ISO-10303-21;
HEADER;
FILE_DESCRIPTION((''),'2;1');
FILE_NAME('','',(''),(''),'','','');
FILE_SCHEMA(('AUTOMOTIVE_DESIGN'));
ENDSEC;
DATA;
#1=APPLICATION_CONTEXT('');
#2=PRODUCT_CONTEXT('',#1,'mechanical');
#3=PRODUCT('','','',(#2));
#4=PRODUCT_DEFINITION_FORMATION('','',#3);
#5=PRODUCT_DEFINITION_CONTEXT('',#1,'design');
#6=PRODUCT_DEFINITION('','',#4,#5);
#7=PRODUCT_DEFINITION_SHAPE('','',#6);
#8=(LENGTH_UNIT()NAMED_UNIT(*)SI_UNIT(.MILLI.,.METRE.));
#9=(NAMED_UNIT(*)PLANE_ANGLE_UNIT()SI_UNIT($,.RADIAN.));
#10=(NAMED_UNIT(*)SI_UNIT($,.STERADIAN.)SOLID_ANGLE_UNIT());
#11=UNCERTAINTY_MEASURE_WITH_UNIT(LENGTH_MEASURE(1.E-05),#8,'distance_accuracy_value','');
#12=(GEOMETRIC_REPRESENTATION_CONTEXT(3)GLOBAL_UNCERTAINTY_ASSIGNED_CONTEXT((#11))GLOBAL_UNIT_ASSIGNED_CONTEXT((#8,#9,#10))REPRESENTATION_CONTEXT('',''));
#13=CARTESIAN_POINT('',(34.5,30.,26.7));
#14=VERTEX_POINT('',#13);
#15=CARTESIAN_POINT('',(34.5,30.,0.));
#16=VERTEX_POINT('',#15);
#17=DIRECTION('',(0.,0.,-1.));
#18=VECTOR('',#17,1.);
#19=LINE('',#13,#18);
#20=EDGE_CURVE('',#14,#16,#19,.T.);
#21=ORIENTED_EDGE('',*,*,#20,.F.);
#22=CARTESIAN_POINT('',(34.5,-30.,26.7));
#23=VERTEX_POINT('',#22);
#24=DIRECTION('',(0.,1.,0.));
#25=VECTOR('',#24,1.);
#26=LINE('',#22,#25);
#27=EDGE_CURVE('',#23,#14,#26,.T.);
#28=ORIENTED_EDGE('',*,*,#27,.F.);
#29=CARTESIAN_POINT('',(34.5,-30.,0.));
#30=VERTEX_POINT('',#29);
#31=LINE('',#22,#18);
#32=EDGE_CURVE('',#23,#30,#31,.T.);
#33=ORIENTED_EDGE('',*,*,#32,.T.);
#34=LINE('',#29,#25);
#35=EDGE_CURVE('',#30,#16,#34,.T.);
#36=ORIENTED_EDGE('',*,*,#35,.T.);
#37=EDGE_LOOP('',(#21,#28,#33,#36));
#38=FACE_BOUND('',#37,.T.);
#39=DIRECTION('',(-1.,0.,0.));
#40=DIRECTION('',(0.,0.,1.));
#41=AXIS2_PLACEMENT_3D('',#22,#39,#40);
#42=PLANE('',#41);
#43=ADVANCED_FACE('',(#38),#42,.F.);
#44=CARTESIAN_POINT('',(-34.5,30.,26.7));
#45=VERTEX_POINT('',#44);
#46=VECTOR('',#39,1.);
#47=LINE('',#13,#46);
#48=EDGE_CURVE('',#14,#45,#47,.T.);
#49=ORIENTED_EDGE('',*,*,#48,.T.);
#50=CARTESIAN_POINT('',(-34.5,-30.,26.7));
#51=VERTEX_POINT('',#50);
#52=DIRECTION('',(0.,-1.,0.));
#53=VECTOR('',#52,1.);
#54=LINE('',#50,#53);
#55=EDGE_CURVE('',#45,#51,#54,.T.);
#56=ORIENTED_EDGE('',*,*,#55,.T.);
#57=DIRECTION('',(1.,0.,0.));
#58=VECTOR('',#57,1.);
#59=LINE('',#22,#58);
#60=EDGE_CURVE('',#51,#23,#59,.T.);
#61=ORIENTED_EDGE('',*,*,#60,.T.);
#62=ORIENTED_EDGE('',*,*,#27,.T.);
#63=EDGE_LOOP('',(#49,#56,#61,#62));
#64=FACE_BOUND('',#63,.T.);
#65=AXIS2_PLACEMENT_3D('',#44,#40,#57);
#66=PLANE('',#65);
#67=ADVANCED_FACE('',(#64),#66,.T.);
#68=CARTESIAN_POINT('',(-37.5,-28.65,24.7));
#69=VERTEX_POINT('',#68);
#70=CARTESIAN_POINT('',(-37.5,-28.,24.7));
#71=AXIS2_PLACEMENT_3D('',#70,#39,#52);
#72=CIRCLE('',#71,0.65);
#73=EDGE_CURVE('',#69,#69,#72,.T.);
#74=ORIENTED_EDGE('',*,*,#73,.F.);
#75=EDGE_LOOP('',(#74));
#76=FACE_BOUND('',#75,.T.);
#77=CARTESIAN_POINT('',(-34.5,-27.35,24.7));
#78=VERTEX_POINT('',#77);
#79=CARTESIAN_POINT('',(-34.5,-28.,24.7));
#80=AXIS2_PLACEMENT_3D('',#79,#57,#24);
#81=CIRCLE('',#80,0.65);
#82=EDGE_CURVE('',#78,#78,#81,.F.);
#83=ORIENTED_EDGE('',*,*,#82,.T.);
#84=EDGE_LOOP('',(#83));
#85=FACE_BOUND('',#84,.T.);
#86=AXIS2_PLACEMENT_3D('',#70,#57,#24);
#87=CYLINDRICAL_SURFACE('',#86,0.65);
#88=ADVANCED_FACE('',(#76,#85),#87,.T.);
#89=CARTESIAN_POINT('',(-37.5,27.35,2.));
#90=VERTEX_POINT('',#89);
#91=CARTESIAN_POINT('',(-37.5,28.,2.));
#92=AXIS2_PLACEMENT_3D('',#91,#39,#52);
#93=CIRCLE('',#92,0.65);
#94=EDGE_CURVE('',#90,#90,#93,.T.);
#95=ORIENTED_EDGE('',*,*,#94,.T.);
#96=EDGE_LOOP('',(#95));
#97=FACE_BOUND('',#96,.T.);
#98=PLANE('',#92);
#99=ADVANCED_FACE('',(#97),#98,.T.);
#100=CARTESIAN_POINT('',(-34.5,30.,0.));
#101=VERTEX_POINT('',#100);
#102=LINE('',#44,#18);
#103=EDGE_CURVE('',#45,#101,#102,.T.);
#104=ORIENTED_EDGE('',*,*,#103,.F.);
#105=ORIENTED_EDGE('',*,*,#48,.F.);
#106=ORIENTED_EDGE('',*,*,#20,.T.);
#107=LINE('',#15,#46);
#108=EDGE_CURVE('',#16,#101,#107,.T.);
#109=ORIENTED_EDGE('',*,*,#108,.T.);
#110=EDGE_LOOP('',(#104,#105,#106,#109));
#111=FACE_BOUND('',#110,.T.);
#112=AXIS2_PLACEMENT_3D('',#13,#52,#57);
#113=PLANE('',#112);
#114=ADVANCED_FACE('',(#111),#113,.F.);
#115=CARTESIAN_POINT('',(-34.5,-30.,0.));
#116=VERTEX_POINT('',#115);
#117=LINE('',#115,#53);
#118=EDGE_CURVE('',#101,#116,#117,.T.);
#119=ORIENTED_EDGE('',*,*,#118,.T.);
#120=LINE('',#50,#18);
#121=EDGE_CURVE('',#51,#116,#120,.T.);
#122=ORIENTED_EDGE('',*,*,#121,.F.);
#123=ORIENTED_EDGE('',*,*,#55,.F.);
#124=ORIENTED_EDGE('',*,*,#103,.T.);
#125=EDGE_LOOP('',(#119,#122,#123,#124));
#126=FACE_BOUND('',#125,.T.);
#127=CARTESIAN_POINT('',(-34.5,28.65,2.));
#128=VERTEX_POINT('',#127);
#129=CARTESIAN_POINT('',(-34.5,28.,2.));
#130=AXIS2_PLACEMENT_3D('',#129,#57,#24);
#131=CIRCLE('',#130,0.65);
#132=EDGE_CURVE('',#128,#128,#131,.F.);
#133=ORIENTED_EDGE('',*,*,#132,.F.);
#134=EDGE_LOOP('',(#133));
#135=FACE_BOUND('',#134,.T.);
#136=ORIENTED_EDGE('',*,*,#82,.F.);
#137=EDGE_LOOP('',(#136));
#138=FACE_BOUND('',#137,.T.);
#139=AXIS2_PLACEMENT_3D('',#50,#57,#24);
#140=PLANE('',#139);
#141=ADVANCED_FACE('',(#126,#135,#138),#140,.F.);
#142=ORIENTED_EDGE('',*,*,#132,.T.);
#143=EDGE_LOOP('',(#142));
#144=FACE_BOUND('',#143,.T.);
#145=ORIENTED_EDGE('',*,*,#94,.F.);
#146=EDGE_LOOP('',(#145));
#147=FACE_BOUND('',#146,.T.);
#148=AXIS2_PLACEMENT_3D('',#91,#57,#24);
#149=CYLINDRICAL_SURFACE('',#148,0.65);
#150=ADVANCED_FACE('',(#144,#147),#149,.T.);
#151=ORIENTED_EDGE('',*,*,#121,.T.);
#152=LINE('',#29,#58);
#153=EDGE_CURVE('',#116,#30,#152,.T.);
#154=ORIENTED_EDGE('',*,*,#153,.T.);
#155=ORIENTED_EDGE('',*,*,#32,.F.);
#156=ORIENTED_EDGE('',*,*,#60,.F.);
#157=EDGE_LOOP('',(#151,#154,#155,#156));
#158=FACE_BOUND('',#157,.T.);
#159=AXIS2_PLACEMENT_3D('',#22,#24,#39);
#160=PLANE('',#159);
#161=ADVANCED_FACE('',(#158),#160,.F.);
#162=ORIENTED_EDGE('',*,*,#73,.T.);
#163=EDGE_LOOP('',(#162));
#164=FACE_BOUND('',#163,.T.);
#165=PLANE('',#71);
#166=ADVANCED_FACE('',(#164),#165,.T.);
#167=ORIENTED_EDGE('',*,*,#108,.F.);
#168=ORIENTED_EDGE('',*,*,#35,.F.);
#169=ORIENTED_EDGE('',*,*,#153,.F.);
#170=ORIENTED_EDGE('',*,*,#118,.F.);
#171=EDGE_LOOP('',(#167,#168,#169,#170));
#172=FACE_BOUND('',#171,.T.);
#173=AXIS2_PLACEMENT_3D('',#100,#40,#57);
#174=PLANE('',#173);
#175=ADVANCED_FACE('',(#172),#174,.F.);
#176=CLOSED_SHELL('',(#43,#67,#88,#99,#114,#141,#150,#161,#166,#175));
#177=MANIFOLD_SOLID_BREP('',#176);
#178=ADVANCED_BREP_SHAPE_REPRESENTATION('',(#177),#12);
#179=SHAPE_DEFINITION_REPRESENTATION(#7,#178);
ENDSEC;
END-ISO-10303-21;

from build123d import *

# Parameters (mm, degrees)
CROQUIS1_W              = 69
CROQUIS1_H              = 60
SALIENTE_EXTRUIR1_DEPTH = 26.7
CROQUIS2_R              = 0.65
SALIENTE_EXTRUIR2_DEPTH = 3


with BuildPart() as part:
    # Croquis1 → Saliente-Extruir1 (new body)
    with BuildSketch(Plane.XY):
        Rectangle(CROQUIS1_W, CROQUIS1_H)
    extrude(amount=SALIENTE_EXTRUIR1_DEPTH)

    # Croquis2 → Saliente-Extruir2 (add)
    with BuildSketch(Plane.ZY.offset(34.5)):
        with Locations((24.7, -28)):
            Circle(CROQUIS2_R)
        with Locations((2, 28)):
            Circle(CROQUIS2_R)
    extrude(amount=SALIENTE_EXTRUIR2_DEPTH)


solid = part.part
